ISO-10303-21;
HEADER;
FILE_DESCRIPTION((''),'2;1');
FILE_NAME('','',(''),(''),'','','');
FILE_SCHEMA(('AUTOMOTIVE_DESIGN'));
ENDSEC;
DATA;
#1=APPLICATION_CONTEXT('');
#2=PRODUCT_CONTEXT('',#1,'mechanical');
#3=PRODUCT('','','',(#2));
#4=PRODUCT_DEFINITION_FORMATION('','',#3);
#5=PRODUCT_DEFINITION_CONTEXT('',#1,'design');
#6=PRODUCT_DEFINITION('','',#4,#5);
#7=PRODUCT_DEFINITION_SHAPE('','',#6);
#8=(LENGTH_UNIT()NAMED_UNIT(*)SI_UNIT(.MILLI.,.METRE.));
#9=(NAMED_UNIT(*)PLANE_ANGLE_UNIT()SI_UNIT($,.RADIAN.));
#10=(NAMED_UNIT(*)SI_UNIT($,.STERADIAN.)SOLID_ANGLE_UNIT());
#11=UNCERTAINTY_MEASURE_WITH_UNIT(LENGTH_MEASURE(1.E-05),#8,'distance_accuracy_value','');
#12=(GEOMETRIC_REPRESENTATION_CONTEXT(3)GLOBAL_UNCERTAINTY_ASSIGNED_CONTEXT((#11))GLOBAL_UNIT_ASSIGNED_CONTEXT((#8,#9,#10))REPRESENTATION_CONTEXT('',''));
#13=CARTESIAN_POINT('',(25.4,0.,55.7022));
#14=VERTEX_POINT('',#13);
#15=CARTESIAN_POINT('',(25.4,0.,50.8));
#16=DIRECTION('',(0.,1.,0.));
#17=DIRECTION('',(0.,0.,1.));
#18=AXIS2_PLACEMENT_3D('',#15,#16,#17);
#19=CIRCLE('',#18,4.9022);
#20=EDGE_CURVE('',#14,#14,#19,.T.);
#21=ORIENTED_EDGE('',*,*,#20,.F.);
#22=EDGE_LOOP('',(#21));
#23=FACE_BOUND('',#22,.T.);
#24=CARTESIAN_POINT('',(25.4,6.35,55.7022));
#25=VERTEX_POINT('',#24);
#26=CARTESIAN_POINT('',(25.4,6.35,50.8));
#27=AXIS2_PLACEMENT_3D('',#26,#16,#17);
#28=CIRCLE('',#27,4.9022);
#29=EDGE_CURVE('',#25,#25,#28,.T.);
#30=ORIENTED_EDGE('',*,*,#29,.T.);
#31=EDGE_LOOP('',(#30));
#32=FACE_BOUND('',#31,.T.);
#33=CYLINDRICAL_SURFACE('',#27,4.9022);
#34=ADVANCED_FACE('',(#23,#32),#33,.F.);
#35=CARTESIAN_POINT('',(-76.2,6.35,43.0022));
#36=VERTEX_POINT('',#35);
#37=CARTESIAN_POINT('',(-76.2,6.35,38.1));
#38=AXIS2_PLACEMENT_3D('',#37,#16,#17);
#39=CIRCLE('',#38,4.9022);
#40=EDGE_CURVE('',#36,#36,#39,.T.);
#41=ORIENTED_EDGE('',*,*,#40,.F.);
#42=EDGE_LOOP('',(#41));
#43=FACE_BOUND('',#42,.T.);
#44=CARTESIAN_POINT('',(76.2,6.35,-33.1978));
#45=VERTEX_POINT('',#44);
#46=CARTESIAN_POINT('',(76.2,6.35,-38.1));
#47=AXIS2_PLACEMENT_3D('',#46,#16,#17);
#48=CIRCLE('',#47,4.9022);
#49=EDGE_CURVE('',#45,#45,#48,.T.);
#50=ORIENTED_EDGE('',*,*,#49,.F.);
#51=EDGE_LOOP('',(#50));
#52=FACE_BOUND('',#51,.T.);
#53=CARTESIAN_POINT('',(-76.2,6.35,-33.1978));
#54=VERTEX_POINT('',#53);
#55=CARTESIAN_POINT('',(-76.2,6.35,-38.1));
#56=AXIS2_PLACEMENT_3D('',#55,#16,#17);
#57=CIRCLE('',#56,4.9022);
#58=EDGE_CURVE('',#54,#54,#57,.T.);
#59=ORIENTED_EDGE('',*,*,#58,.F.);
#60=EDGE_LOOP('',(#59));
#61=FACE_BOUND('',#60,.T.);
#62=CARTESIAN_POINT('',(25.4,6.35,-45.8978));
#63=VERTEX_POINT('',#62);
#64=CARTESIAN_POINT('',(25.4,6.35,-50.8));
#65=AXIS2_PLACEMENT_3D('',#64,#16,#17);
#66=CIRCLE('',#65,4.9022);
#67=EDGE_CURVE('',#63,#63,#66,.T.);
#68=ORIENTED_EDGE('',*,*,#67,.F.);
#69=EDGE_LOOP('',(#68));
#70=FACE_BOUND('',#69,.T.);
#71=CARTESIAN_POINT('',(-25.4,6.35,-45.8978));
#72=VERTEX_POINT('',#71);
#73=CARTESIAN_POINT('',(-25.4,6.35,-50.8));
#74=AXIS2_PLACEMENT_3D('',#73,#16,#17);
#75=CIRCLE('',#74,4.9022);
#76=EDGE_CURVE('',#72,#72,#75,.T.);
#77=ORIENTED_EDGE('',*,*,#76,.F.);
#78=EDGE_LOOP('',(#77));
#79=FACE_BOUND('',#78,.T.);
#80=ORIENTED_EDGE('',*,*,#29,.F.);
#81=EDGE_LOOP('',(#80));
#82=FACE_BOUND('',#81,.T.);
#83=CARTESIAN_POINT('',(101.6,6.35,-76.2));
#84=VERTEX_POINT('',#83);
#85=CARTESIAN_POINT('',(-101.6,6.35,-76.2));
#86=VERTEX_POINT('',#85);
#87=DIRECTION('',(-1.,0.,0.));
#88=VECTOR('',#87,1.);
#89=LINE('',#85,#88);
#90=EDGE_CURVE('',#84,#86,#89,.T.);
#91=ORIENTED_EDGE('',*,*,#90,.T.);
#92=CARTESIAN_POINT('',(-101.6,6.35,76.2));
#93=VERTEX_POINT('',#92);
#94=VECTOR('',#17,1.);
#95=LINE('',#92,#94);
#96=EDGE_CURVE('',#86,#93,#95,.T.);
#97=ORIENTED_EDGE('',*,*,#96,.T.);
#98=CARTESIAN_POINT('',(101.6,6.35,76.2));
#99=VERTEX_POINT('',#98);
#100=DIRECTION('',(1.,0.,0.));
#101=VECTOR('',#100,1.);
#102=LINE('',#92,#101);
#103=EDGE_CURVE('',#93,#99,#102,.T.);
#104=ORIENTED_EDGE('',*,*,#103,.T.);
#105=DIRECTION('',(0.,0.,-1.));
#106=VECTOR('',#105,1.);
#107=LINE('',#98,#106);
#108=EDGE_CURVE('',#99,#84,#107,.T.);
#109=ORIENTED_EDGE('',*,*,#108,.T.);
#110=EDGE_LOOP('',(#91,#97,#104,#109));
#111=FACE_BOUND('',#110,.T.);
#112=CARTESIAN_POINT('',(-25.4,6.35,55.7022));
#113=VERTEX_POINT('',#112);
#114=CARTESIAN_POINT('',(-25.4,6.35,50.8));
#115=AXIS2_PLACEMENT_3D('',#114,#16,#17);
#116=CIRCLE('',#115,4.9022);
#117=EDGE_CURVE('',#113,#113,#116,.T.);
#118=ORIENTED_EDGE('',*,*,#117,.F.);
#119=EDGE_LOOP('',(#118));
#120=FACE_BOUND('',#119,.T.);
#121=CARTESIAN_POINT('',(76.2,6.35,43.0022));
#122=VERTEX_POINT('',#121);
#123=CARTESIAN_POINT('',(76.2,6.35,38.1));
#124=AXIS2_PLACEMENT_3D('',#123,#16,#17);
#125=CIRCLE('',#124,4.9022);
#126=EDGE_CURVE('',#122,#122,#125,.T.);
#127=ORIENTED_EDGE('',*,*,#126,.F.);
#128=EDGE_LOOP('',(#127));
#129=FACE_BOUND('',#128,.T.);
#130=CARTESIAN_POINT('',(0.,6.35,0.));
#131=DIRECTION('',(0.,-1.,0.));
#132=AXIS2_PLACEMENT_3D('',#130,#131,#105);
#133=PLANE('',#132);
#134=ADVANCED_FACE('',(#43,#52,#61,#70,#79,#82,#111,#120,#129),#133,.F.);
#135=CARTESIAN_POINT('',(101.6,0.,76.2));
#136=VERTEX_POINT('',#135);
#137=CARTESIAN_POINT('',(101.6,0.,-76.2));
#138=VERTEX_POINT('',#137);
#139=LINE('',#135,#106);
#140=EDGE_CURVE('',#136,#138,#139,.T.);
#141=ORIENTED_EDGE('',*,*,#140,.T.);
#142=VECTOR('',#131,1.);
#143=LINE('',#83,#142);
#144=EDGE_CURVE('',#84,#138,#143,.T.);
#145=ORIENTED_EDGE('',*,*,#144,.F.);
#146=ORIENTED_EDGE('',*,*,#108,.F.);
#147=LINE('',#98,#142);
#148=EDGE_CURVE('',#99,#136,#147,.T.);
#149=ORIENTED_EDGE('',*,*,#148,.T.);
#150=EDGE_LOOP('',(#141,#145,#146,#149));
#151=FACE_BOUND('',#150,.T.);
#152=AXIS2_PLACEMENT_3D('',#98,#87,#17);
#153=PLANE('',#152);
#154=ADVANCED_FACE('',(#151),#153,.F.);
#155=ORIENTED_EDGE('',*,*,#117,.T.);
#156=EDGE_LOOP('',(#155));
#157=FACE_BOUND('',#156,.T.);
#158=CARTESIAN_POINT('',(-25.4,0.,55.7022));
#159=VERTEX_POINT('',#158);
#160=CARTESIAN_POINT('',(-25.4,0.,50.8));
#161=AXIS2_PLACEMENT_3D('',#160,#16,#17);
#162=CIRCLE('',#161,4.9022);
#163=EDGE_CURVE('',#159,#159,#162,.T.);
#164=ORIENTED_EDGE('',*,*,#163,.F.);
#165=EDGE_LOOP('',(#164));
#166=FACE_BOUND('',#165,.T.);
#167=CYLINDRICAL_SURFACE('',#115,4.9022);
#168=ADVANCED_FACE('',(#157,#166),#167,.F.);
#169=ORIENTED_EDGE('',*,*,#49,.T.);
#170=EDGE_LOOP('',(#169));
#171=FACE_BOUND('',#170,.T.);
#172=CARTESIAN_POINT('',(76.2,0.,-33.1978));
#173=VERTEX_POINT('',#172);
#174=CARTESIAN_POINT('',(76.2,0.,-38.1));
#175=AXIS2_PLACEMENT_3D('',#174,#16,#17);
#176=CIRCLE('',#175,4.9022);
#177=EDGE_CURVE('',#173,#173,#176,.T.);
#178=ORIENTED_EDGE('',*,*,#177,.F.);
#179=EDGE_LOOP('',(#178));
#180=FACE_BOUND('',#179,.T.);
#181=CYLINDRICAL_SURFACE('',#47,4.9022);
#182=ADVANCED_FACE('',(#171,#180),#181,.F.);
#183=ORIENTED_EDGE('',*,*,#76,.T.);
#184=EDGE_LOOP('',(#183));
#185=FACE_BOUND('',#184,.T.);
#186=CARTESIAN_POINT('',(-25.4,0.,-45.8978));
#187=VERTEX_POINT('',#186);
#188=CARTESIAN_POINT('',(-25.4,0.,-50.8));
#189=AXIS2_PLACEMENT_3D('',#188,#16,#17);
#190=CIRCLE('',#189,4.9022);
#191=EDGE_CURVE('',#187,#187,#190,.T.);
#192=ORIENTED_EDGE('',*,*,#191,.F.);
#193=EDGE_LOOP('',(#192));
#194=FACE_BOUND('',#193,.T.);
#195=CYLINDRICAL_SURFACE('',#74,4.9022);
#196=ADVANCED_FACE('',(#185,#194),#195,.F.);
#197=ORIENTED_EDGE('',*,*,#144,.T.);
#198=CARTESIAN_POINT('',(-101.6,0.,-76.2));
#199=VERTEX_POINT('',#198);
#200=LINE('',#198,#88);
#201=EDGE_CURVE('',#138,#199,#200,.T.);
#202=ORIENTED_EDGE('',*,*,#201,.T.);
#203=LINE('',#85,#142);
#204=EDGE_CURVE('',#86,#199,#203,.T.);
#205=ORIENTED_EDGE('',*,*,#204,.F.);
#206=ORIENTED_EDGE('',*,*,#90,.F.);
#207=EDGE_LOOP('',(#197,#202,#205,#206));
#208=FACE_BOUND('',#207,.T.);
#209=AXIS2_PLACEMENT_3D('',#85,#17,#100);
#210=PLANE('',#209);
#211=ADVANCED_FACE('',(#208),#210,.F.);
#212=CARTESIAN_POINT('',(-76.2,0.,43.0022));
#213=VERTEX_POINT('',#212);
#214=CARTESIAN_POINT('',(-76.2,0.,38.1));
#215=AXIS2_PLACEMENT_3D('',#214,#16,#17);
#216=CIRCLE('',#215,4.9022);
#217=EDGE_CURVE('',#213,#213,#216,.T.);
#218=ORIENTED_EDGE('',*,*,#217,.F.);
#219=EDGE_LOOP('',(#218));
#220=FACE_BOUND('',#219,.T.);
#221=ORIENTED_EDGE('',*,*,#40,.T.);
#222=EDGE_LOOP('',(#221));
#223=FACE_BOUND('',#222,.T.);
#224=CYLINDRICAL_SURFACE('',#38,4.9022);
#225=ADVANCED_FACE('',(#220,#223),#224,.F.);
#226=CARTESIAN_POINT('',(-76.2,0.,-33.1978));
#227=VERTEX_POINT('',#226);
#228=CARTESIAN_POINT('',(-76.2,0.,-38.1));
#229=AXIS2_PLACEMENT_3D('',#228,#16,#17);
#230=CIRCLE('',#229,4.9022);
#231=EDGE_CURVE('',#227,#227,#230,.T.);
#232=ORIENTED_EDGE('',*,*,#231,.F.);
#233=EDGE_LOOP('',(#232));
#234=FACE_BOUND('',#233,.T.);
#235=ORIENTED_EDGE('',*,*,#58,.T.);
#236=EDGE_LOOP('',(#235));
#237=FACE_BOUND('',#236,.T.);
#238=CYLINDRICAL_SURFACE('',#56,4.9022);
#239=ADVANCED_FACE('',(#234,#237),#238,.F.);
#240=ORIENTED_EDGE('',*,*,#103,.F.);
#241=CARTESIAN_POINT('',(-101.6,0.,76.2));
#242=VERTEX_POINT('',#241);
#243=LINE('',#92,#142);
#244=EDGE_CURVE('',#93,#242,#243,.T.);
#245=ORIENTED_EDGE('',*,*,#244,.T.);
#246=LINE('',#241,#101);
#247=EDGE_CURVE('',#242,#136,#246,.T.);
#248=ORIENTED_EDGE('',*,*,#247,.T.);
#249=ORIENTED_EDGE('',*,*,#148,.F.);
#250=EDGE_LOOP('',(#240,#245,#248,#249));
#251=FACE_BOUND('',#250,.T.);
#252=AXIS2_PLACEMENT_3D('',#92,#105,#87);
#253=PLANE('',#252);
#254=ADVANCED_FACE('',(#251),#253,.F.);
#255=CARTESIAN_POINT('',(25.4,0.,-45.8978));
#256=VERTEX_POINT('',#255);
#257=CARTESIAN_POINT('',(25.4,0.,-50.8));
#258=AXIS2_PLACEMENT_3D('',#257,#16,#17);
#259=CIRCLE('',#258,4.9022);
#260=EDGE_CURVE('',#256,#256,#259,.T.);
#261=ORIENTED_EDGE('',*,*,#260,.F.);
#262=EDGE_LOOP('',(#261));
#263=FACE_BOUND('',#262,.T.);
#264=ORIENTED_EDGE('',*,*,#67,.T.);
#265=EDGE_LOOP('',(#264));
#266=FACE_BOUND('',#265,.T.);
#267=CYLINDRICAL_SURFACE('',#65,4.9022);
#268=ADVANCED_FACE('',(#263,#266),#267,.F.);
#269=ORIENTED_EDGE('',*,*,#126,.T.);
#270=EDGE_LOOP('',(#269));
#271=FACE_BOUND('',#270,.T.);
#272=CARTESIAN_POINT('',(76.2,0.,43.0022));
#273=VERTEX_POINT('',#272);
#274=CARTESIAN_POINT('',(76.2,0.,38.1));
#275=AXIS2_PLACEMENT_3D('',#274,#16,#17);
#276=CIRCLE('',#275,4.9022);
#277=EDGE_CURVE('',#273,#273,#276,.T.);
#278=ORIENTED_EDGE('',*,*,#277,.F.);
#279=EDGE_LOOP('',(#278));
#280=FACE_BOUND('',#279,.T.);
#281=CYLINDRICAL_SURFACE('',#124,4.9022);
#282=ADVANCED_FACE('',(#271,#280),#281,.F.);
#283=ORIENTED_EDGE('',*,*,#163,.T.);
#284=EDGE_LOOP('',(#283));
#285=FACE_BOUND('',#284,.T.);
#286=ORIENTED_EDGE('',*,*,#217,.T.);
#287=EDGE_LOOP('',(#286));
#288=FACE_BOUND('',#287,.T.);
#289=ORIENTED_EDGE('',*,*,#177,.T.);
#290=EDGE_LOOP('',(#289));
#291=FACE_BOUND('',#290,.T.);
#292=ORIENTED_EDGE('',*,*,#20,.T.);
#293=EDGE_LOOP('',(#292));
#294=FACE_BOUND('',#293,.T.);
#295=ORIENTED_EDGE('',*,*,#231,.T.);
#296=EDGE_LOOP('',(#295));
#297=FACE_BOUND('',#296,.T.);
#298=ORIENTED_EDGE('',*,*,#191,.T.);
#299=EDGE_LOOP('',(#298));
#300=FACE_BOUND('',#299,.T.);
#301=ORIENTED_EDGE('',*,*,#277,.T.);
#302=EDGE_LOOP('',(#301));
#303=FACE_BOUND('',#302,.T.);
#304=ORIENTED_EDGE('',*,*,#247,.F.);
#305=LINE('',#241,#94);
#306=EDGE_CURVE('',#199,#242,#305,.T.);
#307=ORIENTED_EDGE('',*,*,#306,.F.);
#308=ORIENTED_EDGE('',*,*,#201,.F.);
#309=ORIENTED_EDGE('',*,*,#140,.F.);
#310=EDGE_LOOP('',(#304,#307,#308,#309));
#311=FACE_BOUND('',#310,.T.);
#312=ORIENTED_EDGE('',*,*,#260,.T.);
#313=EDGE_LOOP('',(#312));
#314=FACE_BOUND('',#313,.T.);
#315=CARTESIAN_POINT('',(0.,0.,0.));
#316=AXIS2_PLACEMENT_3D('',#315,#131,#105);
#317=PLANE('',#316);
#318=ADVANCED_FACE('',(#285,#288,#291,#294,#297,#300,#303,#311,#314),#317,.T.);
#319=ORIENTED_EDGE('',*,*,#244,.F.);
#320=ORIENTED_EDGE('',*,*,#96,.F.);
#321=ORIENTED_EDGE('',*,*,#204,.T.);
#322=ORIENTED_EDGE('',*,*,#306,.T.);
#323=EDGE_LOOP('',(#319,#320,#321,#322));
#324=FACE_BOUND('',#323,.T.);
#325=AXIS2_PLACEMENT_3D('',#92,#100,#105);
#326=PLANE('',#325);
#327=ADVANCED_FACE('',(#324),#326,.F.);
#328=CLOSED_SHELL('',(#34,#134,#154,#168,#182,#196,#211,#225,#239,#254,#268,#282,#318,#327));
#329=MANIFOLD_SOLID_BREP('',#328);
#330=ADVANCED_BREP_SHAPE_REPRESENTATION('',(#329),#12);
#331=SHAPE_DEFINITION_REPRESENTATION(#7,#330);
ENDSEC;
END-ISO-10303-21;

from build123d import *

# Parameters (mm, degrees)
SKETCH1_W               = 203.2
SKETCH1_H               = 152.4
BOSS_EXTRUDE1_DEPTH     = 6.35
F_3_8_CLEARANCE_HOLE1_D = 9.8044


with BuildPart() as part:
    # Sketch1 → Boss-Extrude1 (new body)
    with BuildSketch(Plane(origin=(0, 0, 0), x_dir=(1, 0, 0), z_dir=(0, 1, 0))):
        Rectangle(SKETCH1_W, SKETCH1_H)
    extrude(amount=BOSS_EXTRUDE1_DEPTH)

    # 3/8 Clearance Hole1 (through all)
    with Locations(Plane(origin=(0, 6.35, 0), x_dir=(1, 0, 0), z_dir=(0, 1, 0))):
        with Locations((-76.2, 38.1), (76.2, 38.1), (76.2, -38.1), (-76.2, -38.1), (-25.4, 50.8), (25.4, 50.8), (-25.4, -50.8), (25.4, -50.8)):
            Hole(F_3_8_CLEARANCE_HOLE1_D / 2)


solid = part.part
